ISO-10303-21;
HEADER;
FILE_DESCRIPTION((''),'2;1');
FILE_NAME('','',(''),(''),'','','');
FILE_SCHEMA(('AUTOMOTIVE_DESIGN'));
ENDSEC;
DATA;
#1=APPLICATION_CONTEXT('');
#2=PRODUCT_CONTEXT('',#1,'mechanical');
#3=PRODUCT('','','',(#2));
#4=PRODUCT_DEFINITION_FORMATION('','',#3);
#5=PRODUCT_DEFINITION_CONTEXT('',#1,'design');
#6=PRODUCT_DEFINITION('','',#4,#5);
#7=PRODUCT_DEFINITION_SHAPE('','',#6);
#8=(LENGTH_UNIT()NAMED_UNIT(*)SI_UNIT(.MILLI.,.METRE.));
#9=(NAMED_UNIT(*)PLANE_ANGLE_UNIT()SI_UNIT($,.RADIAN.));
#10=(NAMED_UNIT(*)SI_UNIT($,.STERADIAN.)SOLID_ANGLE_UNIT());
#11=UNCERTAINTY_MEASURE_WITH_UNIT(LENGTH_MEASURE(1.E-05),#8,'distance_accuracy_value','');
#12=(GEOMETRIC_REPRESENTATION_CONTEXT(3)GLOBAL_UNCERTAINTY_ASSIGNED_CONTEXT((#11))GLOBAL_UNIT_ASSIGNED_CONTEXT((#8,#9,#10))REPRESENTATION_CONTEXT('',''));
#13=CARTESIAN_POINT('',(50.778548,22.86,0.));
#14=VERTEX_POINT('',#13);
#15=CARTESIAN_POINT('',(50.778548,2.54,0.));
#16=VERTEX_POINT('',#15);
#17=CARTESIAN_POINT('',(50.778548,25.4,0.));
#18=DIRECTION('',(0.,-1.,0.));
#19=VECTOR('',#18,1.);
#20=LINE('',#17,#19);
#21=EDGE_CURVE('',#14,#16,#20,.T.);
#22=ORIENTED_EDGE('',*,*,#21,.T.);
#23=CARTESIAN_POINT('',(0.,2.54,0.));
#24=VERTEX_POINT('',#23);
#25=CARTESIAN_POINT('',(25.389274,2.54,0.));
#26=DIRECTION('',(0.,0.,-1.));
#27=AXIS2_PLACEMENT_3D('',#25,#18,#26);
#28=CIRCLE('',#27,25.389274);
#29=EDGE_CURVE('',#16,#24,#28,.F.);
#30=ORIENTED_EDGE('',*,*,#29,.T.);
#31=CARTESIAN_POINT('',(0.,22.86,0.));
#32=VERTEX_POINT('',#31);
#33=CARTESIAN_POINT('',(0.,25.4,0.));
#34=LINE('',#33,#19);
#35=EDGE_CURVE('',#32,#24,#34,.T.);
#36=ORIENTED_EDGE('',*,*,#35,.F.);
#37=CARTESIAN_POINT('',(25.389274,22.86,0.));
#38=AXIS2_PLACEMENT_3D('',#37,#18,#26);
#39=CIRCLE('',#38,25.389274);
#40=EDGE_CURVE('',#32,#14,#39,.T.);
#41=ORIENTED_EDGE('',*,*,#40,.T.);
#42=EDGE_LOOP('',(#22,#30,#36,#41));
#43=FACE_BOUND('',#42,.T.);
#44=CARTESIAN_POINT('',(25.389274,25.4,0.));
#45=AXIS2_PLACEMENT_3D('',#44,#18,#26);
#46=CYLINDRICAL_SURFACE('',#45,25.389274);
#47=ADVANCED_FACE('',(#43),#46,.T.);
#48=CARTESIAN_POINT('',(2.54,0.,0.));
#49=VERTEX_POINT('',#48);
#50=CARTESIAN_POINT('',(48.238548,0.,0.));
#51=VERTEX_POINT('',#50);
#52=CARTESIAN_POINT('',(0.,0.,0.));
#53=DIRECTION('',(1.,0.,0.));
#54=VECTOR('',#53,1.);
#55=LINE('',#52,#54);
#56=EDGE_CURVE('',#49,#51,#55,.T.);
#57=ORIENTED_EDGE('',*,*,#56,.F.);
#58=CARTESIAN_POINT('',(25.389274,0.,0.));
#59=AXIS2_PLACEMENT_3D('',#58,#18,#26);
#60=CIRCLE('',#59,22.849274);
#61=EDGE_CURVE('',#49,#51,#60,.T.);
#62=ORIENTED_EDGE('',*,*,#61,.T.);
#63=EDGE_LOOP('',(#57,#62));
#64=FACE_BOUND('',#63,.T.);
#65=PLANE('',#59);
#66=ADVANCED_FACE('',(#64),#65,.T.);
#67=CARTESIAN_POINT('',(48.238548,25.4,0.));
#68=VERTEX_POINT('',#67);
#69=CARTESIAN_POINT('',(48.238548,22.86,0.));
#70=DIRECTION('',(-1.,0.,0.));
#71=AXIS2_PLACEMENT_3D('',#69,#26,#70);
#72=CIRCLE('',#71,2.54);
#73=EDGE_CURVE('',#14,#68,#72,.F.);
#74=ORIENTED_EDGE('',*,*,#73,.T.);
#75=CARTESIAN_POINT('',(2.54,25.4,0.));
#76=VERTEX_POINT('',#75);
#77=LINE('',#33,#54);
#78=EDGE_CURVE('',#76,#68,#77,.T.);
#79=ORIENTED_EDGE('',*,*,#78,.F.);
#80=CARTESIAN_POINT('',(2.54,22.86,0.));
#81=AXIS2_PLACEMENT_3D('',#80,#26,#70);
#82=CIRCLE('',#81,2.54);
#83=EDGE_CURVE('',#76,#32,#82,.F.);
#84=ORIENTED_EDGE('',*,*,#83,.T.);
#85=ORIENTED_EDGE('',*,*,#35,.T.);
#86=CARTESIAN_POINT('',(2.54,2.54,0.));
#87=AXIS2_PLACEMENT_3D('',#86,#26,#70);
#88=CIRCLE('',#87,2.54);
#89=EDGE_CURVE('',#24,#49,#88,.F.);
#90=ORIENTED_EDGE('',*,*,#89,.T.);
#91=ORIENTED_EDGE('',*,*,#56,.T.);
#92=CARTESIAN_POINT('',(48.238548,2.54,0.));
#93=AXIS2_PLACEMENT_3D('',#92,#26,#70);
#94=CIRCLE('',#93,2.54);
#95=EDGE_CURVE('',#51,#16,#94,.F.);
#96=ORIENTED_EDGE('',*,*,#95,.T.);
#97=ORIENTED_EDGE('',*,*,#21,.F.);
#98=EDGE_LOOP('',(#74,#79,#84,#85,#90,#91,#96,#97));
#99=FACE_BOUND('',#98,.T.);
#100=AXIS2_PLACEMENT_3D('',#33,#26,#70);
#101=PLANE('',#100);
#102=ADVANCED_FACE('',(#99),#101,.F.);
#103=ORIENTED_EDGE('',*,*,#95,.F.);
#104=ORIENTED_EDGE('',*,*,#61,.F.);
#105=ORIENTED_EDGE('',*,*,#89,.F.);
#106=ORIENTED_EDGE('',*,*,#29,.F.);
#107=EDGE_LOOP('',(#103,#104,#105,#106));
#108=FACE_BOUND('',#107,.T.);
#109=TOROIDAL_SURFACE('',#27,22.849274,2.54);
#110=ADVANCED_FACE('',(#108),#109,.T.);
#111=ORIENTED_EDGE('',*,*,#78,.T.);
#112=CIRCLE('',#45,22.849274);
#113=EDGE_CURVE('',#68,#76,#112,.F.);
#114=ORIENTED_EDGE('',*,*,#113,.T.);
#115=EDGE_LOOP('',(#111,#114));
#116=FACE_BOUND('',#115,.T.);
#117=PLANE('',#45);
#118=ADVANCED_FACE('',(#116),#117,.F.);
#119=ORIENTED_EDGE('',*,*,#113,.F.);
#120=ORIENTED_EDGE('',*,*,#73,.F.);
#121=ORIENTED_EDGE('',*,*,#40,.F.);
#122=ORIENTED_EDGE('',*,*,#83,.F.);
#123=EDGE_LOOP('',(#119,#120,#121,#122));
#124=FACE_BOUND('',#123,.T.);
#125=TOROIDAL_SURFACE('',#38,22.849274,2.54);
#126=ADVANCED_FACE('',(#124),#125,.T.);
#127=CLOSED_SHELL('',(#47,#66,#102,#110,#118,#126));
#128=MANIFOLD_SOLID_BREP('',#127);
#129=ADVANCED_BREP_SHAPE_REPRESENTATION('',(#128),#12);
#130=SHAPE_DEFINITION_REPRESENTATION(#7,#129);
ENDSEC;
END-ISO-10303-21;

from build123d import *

# Parameters (mm, degrees)
BOSS_EXTRUDE1_DEPTH = 25.4
FILLET1_R           = 2.54


with BuildPart() as part:
    # Sketch1 → Boss-Extrude1 (new body)
    with BuildSketch(Plane(origin=(0, 0, 0), x_dir=(1, 0, 0), z_dir=(0, 1, 0))):
        with BuildLine():
            Line((0, 0), (50.778548057, 0))
            ThreePointArc((50.778548057, 0), (25.389274028, 25.389274028), (0, 0))
        make_face()
    extrude(amount=BOSS_EXTRUDE1_DEPTH)

    # Fillet1
    fillet1_edges = [part.edges().sort_by_distance(p)[0] for p in [
        (25.389274028, 0, -25.389274028),
        (25.389274028, 25.4, -25.389274028),
    ]]
    fillet(fillet1_edges, radius=FILLET1_R)


solid = part.part
